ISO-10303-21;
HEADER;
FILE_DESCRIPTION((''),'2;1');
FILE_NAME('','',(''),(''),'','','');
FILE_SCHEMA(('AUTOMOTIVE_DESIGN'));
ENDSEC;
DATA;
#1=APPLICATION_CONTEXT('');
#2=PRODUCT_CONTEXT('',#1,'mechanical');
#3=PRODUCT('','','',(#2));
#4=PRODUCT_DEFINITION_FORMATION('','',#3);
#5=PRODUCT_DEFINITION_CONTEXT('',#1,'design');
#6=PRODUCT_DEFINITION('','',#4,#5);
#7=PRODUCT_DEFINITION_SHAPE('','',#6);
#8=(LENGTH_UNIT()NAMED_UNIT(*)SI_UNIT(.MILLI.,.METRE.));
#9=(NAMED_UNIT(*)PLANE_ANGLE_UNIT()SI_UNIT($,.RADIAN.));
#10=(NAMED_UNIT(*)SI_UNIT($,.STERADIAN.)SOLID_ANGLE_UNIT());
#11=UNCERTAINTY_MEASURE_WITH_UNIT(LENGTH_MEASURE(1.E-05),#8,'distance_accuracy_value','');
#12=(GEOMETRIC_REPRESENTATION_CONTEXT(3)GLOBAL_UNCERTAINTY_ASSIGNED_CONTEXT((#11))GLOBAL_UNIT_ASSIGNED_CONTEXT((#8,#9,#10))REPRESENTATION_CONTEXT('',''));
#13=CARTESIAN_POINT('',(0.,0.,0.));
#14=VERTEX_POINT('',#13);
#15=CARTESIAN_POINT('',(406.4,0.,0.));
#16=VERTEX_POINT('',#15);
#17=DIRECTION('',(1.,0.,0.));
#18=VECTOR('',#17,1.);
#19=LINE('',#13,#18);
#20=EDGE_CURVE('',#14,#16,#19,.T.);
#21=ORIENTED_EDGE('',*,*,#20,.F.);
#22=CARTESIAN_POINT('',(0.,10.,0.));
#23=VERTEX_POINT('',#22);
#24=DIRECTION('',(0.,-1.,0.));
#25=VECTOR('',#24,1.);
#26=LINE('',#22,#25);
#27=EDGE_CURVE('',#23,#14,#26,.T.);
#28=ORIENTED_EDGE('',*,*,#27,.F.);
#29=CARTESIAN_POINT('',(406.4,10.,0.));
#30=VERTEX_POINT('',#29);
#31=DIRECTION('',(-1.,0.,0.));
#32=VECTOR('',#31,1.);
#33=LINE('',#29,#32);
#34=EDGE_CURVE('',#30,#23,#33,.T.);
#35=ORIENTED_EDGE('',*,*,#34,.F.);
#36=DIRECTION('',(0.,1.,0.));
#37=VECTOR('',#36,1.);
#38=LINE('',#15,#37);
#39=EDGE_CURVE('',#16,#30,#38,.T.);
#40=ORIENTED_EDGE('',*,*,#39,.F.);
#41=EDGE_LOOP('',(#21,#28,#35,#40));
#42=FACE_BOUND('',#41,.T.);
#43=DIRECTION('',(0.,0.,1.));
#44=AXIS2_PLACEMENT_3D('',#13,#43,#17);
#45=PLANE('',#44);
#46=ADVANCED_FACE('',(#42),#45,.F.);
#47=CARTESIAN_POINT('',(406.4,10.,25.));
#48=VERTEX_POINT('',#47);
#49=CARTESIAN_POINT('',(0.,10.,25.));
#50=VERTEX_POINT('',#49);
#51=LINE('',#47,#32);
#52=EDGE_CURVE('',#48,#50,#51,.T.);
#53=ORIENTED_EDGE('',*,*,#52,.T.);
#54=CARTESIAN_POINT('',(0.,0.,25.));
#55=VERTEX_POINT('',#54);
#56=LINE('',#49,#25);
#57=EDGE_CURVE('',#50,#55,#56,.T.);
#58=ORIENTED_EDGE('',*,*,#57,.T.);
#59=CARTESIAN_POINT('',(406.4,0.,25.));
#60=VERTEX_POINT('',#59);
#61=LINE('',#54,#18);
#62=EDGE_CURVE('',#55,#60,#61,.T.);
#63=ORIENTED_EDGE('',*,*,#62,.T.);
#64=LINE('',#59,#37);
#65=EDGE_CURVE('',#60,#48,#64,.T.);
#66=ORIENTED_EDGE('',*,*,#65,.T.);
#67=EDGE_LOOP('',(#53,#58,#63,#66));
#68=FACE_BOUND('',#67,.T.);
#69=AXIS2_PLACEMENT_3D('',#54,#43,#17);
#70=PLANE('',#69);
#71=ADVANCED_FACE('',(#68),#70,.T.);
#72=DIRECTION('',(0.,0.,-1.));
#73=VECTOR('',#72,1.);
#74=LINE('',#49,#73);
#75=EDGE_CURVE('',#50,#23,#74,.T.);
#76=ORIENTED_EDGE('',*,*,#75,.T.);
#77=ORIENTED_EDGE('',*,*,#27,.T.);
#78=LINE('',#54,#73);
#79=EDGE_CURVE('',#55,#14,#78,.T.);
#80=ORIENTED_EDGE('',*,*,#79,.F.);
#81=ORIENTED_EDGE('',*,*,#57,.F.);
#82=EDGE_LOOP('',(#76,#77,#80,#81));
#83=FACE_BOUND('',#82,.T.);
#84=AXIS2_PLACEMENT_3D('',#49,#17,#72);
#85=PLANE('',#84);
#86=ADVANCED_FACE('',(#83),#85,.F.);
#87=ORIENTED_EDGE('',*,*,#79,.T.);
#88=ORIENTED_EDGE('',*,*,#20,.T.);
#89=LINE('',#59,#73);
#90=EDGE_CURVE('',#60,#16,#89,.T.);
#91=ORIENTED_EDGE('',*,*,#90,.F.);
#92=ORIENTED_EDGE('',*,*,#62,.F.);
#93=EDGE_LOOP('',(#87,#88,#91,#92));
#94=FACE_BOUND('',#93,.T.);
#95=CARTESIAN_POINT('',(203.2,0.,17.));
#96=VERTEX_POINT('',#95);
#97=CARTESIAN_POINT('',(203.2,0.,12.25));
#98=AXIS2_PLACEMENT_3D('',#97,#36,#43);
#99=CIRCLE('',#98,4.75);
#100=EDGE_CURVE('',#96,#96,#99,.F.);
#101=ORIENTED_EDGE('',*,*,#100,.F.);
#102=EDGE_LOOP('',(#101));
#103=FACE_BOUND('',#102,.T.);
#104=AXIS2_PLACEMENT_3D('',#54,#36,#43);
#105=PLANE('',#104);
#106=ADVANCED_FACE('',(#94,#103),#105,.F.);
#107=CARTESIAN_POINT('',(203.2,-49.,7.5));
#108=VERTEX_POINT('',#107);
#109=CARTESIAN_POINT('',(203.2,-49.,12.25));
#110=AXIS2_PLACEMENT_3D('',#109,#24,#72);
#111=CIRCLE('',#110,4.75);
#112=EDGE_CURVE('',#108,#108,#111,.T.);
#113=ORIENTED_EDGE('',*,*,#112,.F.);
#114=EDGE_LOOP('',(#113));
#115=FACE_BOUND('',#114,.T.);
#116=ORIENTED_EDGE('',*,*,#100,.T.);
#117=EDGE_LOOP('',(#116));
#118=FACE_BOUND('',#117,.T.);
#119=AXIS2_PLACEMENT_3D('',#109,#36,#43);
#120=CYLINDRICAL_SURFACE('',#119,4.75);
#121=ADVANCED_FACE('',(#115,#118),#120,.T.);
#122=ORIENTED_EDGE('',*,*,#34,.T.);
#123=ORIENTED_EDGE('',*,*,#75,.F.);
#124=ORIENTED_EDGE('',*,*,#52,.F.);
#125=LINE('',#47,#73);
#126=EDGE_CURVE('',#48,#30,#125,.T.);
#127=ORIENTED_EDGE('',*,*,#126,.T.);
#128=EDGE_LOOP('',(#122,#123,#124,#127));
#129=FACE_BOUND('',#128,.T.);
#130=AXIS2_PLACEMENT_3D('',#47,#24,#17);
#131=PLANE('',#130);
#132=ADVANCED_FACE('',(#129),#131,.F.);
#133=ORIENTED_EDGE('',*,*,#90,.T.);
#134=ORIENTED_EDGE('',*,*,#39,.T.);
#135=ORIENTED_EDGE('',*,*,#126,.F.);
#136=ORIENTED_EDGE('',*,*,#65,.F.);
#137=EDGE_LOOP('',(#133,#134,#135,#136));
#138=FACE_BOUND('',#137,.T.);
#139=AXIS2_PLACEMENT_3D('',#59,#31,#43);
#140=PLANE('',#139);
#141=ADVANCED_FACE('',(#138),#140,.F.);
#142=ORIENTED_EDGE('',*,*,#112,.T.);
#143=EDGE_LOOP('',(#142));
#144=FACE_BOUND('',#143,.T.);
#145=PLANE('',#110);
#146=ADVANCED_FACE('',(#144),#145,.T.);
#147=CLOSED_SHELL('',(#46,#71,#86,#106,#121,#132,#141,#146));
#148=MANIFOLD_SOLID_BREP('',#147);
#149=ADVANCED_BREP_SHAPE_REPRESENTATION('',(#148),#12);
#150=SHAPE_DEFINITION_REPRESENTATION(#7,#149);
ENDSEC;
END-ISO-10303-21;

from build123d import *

# Parameters (mm, degrees)
SKETCH1_W           = 406.4
SKETCH1_H           = 10
BOSS_EXTRUDE1_DEPTH = 25
SKETCH2_R           = 4.75
BOSS_EXTRUDE2_DEPTH = 49


with BuildPart() as part:
    # Sketch1 → Boss-Extrude1 (new body)
    with BuildSketch(Plane.XY):
        with Locations((203.2, 5)):
            Rectangle(SKETCH1_W, SKETCH1_H)
    extrude(amount=BOSS_EXTRUDE1_DEPTH)

    # Sketch2 → Boss-Extrude2 (add)
    with BuildSketch(Plane.XZ):
        with Locations(Location((203.2, 12.25, 0), (0, 0, 90))):
            Circle(SKETCH2_R)
    extrude(amount=BOSS_EXTRUDE2_DEPTH)


solid = part.part
